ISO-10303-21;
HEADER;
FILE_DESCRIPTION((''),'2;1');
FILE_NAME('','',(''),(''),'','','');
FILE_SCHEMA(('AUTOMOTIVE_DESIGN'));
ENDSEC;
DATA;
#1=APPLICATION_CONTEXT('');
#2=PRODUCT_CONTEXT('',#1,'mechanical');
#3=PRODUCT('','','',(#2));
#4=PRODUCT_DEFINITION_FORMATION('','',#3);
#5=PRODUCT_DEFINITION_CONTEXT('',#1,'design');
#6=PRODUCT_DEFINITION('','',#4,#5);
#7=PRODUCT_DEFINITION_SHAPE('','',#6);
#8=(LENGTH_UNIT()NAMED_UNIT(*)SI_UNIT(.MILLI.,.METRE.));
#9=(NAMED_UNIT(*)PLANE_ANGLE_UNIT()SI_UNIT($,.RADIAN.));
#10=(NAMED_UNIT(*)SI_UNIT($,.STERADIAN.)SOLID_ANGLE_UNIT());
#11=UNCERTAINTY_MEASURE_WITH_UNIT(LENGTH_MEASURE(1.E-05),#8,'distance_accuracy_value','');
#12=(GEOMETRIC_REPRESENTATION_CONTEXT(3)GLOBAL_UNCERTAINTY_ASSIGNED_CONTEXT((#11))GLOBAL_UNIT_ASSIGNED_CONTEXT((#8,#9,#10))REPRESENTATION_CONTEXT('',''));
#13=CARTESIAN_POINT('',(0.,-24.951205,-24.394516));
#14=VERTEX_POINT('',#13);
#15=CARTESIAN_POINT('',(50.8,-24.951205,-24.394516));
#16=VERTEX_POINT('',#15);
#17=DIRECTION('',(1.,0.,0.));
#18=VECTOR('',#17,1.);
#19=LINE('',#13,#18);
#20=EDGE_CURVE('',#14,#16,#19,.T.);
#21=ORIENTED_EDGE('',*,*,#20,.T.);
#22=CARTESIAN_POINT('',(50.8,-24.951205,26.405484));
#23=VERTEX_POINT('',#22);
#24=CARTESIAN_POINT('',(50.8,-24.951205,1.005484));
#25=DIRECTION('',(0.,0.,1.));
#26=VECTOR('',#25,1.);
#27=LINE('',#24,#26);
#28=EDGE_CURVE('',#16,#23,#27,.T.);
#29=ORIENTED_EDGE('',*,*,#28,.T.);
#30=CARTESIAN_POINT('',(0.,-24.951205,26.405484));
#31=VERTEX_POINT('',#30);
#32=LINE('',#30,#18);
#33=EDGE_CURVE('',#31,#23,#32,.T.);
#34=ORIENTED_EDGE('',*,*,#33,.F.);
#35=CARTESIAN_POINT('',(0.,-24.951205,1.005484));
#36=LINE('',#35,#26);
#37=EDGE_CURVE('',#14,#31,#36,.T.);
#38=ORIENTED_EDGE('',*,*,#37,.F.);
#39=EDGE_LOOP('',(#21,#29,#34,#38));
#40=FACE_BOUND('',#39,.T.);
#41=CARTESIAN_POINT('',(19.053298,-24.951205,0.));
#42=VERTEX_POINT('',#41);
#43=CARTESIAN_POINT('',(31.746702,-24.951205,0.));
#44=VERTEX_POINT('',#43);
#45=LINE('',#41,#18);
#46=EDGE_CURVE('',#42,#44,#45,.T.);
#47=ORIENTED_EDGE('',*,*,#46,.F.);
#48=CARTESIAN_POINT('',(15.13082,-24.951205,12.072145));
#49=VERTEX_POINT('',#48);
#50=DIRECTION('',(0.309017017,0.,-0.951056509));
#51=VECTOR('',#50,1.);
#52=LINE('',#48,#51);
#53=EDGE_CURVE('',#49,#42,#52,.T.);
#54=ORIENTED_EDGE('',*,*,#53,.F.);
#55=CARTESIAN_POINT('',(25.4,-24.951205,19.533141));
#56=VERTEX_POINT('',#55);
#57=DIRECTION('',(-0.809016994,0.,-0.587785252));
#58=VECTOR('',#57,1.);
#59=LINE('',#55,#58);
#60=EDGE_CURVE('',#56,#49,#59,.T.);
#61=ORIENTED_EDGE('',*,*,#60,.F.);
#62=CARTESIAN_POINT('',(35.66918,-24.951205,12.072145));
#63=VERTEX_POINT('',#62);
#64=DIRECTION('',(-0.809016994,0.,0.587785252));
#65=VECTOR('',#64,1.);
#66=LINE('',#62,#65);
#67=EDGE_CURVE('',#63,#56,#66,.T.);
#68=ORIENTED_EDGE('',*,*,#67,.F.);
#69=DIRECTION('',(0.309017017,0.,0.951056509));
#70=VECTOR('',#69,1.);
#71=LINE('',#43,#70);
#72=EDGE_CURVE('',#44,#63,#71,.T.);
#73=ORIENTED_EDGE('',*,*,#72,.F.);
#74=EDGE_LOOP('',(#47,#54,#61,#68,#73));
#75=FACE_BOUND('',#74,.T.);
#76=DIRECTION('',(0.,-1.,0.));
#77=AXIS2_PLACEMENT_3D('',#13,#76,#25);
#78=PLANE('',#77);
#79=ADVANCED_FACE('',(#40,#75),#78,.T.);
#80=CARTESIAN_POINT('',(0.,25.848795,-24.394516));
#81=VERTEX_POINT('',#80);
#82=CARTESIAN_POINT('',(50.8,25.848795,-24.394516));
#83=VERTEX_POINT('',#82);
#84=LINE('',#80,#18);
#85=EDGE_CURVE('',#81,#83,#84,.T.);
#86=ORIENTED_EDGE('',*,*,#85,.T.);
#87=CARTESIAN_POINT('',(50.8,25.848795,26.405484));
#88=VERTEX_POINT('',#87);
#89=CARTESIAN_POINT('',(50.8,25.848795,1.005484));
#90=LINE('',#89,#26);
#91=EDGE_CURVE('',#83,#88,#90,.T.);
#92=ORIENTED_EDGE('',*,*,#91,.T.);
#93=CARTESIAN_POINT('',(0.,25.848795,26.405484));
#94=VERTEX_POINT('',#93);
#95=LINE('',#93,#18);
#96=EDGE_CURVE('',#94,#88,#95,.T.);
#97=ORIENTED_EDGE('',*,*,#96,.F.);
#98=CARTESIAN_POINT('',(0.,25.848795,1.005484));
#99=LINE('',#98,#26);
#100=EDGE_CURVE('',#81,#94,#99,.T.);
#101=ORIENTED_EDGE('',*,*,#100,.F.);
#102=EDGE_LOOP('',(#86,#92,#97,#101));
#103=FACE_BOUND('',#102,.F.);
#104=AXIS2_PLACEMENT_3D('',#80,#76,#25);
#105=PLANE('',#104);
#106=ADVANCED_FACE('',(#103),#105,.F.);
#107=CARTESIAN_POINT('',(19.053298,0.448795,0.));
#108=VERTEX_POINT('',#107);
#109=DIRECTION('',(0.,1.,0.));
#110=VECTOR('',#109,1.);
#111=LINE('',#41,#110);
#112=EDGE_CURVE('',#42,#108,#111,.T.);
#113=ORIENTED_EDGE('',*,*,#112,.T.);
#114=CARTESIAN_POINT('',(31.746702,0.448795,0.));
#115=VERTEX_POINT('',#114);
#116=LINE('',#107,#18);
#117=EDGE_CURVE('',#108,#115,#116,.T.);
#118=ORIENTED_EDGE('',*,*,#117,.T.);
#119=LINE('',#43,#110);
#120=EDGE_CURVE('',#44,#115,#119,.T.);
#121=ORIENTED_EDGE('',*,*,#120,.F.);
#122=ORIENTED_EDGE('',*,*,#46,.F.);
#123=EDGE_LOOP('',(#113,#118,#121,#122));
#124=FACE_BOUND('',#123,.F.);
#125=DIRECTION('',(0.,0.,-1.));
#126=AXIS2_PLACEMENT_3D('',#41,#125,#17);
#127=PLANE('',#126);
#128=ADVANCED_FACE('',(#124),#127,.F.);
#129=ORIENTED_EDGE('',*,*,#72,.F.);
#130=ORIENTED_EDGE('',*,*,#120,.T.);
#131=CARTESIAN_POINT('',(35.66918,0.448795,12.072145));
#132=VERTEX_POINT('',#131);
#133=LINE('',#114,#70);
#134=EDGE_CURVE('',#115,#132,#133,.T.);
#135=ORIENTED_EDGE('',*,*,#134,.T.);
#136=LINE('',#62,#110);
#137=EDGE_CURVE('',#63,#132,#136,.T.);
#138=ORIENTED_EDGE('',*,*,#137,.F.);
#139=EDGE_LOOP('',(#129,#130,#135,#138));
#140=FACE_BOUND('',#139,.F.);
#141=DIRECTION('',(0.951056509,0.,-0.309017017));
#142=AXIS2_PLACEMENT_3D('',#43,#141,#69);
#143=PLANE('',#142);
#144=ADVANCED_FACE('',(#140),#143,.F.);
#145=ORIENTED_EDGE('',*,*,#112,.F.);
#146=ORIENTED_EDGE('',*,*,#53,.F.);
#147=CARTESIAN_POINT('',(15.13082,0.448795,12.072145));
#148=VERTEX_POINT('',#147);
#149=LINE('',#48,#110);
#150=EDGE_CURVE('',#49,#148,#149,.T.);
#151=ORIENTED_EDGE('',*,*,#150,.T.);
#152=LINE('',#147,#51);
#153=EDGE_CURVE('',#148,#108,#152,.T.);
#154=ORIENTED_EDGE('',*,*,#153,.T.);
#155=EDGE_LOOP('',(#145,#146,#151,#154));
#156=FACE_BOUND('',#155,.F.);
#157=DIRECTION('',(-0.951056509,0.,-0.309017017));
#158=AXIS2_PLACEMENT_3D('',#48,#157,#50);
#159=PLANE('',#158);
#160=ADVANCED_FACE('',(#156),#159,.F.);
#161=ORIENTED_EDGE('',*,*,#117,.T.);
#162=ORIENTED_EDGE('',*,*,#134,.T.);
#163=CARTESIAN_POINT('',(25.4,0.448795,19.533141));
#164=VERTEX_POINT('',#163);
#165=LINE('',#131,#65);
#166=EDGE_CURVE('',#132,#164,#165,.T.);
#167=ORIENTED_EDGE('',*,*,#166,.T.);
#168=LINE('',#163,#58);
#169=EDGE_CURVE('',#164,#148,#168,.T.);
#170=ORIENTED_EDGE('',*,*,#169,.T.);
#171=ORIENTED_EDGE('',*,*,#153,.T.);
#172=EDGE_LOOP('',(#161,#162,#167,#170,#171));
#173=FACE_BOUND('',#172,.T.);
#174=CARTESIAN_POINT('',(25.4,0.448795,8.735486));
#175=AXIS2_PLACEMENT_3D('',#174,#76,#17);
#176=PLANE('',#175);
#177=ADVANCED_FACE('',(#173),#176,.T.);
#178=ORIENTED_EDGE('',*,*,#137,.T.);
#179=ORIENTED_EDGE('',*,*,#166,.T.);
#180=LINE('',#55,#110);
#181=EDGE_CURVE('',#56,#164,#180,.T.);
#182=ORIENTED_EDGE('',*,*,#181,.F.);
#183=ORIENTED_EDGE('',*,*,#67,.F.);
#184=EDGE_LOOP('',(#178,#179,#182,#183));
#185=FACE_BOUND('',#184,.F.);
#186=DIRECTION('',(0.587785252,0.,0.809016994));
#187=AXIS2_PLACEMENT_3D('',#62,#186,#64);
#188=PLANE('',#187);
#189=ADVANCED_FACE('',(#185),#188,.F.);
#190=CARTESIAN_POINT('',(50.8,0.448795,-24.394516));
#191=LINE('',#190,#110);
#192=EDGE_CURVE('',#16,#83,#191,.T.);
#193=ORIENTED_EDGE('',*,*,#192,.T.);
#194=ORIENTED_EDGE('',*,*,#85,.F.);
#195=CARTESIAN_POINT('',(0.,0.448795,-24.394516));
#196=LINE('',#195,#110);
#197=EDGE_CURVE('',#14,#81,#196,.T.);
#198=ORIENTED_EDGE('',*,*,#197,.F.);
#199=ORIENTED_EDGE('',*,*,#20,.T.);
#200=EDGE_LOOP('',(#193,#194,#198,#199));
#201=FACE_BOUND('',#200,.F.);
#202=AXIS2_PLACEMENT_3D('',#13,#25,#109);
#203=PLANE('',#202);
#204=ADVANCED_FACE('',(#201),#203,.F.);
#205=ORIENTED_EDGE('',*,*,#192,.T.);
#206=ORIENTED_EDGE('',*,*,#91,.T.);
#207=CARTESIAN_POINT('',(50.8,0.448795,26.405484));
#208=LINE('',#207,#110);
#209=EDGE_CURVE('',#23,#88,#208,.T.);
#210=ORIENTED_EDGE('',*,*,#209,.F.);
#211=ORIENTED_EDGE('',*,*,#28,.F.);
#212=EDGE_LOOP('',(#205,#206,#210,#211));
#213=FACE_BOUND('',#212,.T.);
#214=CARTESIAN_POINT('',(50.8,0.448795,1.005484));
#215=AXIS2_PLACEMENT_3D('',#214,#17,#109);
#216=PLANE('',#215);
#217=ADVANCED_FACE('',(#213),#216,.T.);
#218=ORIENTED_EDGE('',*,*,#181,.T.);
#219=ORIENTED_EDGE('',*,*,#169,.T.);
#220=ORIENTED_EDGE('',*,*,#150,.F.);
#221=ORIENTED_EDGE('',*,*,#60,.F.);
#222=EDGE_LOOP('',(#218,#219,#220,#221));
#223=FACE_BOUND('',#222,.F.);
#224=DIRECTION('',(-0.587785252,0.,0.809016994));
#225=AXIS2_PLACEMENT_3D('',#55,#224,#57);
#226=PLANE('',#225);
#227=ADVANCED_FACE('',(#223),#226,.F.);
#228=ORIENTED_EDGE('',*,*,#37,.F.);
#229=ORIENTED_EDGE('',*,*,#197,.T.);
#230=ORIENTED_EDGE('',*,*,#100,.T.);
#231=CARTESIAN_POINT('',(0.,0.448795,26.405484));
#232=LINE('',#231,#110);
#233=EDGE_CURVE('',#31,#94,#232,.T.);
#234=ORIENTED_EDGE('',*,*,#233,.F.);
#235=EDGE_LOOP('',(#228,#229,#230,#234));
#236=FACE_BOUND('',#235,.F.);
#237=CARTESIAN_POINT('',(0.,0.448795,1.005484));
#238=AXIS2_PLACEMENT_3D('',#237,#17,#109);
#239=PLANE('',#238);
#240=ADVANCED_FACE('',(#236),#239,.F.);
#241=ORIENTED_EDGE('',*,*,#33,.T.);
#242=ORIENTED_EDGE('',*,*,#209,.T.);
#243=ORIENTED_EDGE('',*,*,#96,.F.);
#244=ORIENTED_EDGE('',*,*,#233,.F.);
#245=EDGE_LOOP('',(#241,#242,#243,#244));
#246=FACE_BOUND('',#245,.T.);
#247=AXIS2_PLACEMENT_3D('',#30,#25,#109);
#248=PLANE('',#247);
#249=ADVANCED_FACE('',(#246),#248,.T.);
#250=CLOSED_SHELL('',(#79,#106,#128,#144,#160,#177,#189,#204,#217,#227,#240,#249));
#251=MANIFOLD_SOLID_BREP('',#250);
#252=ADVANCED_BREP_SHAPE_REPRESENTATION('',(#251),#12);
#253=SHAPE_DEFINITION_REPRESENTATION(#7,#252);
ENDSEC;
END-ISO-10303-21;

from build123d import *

# Parameters (mm, degrees)
F0_W     = 50.8
F0_H     = 50.8
F1_DEPTH = 50.8
F3_DEPTH = 25.4


with BuildPart() as f1:
    # F0 (on Right) → F1 (new body)
    with BuildSketch(Plane.YZ):
        with Locations((0.448795, 1.005484)):
            Rectangle(F0_W, F0_H)
    extrude(amount=F1_DEPTH)

    # F2 (on face) → F3 (cut)
    with BuildSketch(Plane.XZ.offset(24.951205)):
        Polygon((19.053298, 0), (31.746702, 0), (35.66918, 12.072145), (25.4, 19.533141), (15.13082, 12.072145), align=None)
    extrude(amount=-F3_DEPTH, mode=Mode.SUBTRACT)


solid = f1.part
